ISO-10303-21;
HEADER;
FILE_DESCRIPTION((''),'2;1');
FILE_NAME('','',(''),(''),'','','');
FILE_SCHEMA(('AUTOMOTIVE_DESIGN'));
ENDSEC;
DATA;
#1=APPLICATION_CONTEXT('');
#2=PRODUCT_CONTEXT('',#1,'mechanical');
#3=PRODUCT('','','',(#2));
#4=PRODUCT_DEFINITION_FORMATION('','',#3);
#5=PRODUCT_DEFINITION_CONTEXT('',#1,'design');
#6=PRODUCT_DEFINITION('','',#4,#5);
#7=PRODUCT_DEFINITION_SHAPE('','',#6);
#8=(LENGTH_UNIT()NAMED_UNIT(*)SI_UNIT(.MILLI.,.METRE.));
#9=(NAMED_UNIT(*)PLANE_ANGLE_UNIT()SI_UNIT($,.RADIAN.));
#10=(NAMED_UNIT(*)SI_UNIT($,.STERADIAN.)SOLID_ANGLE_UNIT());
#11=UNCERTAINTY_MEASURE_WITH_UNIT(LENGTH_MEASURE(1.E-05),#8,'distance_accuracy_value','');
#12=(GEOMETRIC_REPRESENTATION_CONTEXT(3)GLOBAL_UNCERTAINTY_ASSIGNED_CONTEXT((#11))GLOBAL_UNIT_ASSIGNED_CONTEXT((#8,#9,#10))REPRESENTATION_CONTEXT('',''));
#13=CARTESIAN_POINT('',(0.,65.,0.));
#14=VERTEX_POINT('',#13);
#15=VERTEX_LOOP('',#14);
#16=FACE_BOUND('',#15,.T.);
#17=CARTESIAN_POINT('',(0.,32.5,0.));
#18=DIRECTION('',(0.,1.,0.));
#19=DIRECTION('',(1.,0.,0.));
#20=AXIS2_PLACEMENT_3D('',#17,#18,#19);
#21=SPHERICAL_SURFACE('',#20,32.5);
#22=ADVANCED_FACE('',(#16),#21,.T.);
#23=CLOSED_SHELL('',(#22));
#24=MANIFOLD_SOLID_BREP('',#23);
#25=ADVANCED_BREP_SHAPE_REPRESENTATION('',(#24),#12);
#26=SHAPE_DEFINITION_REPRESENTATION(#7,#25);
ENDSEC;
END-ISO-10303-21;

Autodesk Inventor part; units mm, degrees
ref_plane "YZ Plane" through (0, 0, 0) normal (1, 0, 0) x (0, 1, 0)
ref_plane "XZ Plane" through (0, 0, 0) normal (0, 1, 0) x (-1, 0, 0)
ref_plane "XY Plane" through (0, 0, 0) normal (0, 0, 1) x (1, 0, 0)
sketch "Sketch1" plane through (0, 0, 0) normal (0, 0, 1) x (1, 0, 0)
  line L0 (0, 0) -> (0, 65)
  arc A0 (0, 0) -> (0, 65) centre (0, 32.5) ccw
  dimension "d0" = 65
  dimension "d1" = 32.5
revolve "Revolution1" add sketch "Sketch1" angle 360 about axis through (0, 0, 0) along (0, 1, 0)
